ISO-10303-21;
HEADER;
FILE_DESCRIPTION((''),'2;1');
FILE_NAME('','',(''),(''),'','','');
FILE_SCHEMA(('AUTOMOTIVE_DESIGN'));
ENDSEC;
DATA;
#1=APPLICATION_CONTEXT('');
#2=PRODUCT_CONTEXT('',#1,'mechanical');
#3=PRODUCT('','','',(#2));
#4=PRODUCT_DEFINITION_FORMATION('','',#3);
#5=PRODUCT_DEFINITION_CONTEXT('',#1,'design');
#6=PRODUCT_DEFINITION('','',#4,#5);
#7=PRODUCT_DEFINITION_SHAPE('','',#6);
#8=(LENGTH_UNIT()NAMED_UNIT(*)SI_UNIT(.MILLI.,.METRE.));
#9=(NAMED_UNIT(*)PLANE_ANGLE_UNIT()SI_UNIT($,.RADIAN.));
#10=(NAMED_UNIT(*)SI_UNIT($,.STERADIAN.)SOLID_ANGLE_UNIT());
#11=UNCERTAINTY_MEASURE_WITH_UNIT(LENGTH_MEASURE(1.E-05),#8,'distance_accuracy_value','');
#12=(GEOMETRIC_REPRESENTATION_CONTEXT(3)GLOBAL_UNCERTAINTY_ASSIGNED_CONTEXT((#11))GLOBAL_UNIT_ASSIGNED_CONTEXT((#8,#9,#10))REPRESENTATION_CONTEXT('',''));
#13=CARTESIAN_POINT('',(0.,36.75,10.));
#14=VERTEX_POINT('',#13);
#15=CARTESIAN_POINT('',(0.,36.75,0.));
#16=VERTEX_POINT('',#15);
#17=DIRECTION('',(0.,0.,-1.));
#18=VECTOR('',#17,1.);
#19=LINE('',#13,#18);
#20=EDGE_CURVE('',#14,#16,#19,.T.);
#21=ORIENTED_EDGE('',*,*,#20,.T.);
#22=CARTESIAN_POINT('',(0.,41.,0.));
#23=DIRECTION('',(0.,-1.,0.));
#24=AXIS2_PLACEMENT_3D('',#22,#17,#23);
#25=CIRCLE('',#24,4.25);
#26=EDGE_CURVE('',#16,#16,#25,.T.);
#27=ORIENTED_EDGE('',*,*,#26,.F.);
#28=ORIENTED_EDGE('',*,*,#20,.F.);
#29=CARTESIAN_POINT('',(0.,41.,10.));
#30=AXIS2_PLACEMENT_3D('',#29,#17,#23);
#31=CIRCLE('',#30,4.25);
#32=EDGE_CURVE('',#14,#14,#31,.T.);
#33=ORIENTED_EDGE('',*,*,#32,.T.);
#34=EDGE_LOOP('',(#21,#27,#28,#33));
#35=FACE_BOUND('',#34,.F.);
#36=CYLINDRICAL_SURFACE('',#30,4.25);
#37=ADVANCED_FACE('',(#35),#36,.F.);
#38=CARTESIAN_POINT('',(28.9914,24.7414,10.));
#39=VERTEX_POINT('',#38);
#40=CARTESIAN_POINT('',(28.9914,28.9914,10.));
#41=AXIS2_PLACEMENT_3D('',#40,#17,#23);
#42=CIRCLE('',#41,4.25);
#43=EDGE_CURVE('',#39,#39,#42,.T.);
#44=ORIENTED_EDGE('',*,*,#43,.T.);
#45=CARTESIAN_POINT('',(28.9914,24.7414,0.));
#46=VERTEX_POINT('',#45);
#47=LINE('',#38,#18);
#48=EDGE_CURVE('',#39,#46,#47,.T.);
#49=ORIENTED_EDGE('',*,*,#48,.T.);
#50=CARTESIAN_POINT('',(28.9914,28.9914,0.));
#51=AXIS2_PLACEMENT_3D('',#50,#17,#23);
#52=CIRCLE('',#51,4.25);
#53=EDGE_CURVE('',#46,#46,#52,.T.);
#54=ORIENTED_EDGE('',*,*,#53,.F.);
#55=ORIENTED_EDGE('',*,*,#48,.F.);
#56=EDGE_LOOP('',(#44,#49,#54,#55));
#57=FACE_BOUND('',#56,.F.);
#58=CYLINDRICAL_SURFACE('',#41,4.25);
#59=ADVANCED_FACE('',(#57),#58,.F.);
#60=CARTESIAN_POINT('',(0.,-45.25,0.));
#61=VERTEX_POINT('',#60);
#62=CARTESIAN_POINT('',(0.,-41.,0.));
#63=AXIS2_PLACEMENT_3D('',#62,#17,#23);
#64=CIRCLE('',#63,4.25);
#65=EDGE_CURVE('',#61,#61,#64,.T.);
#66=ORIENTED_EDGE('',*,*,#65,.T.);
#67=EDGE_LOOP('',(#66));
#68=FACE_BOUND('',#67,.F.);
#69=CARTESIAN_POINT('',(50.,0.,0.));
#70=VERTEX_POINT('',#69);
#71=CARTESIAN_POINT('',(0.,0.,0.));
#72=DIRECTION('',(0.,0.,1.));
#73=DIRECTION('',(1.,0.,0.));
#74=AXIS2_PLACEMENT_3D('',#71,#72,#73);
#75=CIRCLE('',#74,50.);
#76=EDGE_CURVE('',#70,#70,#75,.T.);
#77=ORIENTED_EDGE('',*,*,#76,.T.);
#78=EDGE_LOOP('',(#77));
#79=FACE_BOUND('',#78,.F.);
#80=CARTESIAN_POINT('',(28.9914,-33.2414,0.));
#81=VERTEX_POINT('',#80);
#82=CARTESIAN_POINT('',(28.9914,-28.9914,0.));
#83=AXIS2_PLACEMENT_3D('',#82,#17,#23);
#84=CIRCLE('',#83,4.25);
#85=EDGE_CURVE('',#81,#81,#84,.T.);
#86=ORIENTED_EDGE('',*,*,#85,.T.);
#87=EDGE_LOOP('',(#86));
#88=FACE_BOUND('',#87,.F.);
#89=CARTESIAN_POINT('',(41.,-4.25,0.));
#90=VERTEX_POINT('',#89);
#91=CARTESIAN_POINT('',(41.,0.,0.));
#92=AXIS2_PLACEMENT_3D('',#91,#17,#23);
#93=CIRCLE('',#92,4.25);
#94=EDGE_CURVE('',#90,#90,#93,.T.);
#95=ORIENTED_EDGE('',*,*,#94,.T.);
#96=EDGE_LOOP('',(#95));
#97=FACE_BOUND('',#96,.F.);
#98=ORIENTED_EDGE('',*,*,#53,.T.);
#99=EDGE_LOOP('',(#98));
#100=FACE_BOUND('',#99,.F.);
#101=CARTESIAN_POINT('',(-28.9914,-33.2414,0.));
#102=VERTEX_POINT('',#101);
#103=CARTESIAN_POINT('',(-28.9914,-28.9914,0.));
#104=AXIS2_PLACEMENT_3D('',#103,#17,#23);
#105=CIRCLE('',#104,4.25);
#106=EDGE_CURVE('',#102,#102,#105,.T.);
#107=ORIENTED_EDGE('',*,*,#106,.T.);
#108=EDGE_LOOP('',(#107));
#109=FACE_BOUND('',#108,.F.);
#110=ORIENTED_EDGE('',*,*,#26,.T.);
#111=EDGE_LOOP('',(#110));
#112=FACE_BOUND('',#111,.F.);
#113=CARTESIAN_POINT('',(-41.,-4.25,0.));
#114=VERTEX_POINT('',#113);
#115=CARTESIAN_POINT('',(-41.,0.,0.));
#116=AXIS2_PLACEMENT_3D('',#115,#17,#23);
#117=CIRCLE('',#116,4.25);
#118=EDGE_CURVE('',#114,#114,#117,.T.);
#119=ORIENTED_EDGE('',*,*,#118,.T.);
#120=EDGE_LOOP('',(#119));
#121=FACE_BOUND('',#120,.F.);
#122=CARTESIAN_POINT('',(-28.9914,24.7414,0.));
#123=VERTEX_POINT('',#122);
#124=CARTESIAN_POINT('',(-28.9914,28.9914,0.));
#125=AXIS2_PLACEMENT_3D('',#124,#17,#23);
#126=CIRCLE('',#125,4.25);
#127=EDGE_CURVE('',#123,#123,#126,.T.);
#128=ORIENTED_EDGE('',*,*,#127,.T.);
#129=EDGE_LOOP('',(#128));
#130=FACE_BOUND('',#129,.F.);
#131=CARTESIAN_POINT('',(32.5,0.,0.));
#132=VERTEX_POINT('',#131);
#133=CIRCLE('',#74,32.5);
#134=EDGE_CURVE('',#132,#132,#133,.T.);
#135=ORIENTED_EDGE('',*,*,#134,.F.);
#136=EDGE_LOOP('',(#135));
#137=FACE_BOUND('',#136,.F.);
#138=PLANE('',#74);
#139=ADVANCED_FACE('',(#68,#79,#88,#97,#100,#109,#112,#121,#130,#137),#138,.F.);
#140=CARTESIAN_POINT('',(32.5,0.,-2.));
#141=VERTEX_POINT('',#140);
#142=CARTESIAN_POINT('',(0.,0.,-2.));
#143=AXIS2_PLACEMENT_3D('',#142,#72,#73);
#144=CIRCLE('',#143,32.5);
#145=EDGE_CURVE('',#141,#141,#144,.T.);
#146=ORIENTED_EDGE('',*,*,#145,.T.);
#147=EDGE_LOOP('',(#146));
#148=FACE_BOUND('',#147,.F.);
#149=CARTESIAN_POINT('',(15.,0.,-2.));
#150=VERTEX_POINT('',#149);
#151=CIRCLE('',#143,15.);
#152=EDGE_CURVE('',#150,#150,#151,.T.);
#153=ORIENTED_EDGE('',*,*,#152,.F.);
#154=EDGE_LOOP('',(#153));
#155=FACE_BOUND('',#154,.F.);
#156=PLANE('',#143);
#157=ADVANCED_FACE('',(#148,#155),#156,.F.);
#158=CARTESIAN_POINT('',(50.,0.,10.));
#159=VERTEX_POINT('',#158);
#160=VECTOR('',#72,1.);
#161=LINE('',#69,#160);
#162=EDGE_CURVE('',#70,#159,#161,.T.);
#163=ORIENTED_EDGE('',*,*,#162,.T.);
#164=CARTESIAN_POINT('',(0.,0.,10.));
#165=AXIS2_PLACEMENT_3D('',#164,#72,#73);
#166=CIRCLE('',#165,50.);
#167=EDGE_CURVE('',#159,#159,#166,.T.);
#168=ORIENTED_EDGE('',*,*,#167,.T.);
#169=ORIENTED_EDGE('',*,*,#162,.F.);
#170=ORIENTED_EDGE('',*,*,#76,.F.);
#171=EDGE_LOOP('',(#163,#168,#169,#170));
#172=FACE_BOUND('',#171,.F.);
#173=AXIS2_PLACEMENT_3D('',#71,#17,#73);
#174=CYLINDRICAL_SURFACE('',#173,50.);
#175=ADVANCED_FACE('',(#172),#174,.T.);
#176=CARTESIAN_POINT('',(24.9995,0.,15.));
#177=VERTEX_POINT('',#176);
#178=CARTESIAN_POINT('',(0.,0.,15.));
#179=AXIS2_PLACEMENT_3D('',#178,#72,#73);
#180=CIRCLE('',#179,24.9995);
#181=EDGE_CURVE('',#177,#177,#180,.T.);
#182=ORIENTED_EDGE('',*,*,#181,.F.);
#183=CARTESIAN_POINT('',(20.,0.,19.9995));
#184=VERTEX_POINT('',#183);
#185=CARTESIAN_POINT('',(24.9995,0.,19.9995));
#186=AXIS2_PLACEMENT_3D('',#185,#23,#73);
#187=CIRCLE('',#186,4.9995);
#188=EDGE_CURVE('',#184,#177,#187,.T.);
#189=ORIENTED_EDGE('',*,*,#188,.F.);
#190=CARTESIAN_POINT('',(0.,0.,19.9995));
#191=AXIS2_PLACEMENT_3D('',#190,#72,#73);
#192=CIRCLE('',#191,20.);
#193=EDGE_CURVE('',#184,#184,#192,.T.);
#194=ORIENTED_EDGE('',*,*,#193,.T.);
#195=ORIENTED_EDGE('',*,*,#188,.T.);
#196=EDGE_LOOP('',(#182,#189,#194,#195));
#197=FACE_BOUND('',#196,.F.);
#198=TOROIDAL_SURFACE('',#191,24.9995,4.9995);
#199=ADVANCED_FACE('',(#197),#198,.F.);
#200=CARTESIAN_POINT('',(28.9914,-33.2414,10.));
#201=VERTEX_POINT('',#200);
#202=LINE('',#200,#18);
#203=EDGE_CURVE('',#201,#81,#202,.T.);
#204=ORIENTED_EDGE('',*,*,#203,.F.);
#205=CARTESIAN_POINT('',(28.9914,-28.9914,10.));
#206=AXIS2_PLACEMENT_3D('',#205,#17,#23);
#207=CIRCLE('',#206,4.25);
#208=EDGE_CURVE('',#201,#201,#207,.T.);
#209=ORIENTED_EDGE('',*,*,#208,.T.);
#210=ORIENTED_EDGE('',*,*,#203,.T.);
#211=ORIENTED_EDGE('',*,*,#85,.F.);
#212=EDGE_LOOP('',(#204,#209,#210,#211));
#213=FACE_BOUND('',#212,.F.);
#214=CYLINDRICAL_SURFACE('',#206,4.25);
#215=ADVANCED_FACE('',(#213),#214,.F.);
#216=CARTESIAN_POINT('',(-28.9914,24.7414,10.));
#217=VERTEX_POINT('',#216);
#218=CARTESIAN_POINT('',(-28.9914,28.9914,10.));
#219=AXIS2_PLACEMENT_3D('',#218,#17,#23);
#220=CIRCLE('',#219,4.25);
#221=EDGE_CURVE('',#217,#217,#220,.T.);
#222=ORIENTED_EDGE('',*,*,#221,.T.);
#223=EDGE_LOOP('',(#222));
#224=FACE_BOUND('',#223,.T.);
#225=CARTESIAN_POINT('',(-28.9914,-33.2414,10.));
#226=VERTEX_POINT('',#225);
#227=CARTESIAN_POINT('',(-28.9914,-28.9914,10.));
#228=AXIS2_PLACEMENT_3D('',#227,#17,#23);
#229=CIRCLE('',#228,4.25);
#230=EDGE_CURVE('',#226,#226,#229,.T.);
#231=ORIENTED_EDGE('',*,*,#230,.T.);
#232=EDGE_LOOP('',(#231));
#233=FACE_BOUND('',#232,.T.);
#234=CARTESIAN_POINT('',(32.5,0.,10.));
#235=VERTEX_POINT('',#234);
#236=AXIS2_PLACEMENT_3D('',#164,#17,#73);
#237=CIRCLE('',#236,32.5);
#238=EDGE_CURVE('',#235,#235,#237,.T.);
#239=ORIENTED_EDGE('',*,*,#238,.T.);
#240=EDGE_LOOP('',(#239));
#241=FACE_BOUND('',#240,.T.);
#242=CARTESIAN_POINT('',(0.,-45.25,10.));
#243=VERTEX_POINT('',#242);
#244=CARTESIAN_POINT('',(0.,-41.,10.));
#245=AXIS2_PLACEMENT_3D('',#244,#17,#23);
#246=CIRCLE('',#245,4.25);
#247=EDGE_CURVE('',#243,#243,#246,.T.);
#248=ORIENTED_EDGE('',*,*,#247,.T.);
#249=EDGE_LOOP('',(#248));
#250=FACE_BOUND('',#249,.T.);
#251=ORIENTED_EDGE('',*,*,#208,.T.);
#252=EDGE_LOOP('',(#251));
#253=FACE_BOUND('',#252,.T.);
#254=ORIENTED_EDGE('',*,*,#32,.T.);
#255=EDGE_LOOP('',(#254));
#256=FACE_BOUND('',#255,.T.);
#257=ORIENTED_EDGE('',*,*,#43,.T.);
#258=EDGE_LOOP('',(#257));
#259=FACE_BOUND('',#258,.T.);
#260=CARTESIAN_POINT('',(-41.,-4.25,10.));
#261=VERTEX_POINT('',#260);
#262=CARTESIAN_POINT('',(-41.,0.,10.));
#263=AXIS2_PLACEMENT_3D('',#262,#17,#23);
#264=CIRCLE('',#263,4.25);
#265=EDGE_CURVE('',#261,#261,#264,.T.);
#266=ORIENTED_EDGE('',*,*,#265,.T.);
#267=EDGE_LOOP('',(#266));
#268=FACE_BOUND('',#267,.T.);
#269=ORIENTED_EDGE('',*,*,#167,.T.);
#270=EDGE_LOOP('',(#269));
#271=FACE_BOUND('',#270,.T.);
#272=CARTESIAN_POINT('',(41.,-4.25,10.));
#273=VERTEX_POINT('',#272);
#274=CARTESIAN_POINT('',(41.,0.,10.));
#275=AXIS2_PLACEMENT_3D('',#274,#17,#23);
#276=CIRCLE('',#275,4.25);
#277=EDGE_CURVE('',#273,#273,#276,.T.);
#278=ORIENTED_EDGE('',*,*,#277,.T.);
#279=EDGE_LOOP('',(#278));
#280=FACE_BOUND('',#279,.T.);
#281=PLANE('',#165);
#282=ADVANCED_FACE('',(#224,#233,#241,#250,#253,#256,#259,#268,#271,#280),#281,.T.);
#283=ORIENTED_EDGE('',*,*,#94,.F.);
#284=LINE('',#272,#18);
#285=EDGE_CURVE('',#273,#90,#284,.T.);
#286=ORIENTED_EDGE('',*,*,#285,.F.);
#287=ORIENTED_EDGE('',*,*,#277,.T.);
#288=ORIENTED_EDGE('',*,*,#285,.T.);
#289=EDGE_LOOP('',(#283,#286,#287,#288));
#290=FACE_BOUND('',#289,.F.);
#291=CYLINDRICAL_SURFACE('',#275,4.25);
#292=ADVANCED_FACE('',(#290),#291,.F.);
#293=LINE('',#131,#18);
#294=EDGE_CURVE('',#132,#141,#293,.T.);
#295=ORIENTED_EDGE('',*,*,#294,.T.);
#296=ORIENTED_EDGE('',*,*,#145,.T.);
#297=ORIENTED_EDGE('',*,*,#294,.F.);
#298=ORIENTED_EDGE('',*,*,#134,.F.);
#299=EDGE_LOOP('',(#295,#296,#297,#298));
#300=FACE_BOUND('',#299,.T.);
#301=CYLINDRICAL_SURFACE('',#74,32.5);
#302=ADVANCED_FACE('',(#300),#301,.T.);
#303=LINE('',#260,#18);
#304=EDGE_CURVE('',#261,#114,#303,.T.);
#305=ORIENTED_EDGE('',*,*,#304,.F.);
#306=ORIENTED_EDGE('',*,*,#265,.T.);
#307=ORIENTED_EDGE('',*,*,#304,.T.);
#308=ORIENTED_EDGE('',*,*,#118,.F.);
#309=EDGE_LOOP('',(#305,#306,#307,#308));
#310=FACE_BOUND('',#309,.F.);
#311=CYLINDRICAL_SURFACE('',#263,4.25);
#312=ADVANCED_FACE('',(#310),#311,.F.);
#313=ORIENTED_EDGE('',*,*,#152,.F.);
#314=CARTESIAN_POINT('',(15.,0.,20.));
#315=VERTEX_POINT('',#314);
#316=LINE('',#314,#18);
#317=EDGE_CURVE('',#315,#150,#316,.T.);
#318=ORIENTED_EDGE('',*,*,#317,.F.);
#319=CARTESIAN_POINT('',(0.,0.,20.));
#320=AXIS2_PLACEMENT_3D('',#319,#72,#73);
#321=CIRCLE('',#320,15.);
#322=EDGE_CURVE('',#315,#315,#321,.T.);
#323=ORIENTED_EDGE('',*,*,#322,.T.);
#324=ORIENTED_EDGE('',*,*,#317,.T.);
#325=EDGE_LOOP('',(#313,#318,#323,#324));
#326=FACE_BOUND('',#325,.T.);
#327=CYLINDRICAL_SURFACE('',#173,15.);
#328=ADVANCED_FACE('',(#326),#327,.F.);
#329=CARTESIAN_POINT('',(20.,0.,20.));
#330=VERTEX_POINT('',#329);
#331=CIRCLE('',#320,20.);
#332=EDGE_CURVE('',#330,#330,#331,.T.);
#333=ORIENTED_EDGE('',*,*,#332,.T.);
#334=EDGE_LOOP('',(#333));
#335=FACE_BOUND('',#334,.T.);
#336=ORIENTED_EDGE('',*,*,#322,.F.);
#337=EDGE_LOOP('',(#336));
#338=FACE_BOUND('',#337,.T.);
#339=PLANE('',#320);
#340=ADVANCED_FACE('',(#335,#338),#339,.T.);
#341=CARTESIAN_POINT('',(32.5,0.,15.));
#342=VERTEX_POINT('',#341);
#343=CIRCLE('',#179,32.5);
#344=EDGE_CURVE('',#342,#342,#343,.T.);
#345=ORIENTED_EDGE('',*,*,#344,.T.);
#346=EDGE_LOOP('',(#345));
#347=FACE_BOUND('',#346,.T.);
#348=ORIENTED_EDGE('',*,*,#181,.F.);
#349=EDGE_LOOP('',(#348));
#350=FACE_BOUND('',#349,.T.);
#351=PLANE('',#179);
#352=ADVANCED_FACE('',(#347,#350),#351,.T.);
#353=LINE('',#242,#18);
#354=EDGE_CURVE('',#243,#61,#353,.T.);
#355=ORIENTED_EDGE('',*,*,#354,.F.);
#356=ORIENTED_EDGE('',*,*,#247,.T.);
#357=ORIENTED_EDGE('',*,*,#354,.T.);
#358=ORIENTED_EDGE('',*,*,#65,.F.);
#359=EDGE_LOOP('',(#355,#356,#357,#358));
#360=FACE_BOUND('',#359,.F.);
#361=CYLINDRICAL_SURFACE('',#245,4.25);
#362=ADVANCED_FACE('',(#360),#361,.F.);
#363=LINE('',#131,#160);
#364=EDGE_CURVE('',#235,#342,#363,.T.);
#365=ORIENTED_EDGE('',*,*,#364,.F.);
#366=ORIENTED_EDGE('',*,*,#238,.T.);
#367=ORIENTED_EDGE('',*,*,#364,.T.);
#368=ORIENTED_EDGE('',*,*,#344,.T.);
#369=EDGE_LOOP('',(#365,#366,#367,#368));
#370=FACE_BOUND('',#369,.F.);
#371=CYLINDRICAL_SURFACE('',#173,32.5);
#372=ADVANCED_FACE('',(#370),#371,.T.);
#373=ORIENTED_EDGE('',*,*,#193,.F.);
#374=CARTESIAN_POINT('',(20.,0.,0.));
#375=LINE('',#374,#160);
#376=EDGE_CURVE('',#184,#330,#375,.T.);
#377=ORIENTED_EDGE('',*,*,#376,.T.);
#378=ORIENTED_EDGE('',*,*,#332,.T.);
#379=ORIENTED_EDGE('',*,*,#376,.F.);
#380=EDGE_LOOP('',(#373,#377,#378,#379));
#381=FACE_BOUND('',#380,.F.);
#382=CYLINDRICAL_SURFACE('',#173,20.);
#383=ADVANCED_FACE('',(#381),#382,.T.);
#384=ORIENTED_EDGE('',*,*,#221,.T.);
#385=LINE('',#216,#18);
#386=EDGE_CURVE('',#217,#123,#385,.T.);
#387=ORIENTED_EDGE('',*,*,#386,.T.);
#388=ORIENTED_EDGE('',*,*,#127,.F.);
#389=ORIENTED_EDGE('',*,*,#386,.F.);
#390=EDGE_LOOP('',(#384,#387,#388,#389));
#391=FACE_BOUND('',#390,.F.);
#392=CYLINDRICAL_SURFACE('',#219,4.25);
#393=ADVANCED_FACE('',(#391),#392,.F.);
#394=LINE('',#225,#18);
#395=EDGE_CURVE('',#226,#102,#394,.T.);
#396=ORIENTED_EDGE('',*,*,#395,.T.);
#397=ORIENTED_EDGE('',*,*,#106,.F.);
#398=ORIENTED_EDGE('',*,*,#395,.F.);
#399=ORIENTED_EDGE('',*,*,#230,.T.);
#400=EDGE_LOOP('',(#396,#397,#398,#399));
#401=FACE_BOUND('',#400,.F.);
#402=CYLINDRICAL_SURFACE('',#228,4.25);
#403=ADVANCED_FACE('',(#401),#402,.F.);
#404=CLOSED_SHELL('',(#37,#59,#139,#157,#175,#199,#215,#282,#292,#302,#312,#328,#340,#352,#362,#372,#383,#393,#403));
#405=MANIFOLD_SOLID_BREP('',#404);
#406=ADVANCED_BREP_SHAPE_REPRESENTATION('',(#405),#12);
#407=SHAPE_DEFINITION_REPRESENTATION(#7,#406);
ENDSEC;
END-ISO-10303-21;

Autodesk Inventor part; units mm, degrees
ref_plane "YZ Plane" through (0, 0, 0) normal (1, 0, 0) x (0, 1, 0)
ref_plane "XZ Plane" through (0, 0, 0) normal (0, 1, 0) x (-1, 0, 0)
ref_plane "XY Plane" through (0, 0, 0) normal (0, 0, 1) x (1, 0, 0)
sketch "Sketch1" plane through (0, 0, 0) normal (0, 0, 1) x (1, 0, 0)
  circle A0 centre (0, 0) radius 15
  circle A1 centre (0, 0) radius 20
  circle A2 centre (0, 0) radius 32.5
  circle A3 centre (0, 0) radius 50
  dimension "d0" = 30
  dimension "d1" = 40
  dimension "d2" = 65
  dimension "d3" = 100
extrude "Extrusion1" add sketch "Sketch1" along normal blind 10 contours A2 | A3
extrude "Extrusion2" add sketch "Sketch1" along normal blind 20 contours A1
extrude "Extrusion3" add sketch "Sketch1" along normal blind 15 contours A2
fillet "Fillet1" radius 5 1 edges at (-20, 0, 15)
extrude "Extrusion4" add sketch "Sketch1" against normal blind 2 contours A1 | A2
sketch "Sketch2" plane through (0, 0, 10) normal (0, 0, 1) x (1, 0, 0)
  point P0 (0, 0)
  point P1 (0, 41)
  point P2 (28.9914, 28.9914)
  point P3 (41, 0)
  point P4 (28.9914, -28.9914)
  point P5 (0, -41)
  point P6 (-28.9914, -28.9914)
  point P7 (-41, 0)
  point P8 (-28.9914, 28.9914)
  dimension "d13" = 41
  dimension "d16" = 360
hole "Hole1" at (0, 41, 10) at (28.9914, 28.9914, 10) at (41, 0, 10) at (28.9914, -28.9914, 10) at (0, -41, 10) at (-28.9914, -28.9914, 10) at (-41, 0, 10) at (-28.9914, 28.9914, 10) direction (0, 0, -1) diameter 8.5 depth 26 tip angle 118
properties part number "Part11_CPY"
